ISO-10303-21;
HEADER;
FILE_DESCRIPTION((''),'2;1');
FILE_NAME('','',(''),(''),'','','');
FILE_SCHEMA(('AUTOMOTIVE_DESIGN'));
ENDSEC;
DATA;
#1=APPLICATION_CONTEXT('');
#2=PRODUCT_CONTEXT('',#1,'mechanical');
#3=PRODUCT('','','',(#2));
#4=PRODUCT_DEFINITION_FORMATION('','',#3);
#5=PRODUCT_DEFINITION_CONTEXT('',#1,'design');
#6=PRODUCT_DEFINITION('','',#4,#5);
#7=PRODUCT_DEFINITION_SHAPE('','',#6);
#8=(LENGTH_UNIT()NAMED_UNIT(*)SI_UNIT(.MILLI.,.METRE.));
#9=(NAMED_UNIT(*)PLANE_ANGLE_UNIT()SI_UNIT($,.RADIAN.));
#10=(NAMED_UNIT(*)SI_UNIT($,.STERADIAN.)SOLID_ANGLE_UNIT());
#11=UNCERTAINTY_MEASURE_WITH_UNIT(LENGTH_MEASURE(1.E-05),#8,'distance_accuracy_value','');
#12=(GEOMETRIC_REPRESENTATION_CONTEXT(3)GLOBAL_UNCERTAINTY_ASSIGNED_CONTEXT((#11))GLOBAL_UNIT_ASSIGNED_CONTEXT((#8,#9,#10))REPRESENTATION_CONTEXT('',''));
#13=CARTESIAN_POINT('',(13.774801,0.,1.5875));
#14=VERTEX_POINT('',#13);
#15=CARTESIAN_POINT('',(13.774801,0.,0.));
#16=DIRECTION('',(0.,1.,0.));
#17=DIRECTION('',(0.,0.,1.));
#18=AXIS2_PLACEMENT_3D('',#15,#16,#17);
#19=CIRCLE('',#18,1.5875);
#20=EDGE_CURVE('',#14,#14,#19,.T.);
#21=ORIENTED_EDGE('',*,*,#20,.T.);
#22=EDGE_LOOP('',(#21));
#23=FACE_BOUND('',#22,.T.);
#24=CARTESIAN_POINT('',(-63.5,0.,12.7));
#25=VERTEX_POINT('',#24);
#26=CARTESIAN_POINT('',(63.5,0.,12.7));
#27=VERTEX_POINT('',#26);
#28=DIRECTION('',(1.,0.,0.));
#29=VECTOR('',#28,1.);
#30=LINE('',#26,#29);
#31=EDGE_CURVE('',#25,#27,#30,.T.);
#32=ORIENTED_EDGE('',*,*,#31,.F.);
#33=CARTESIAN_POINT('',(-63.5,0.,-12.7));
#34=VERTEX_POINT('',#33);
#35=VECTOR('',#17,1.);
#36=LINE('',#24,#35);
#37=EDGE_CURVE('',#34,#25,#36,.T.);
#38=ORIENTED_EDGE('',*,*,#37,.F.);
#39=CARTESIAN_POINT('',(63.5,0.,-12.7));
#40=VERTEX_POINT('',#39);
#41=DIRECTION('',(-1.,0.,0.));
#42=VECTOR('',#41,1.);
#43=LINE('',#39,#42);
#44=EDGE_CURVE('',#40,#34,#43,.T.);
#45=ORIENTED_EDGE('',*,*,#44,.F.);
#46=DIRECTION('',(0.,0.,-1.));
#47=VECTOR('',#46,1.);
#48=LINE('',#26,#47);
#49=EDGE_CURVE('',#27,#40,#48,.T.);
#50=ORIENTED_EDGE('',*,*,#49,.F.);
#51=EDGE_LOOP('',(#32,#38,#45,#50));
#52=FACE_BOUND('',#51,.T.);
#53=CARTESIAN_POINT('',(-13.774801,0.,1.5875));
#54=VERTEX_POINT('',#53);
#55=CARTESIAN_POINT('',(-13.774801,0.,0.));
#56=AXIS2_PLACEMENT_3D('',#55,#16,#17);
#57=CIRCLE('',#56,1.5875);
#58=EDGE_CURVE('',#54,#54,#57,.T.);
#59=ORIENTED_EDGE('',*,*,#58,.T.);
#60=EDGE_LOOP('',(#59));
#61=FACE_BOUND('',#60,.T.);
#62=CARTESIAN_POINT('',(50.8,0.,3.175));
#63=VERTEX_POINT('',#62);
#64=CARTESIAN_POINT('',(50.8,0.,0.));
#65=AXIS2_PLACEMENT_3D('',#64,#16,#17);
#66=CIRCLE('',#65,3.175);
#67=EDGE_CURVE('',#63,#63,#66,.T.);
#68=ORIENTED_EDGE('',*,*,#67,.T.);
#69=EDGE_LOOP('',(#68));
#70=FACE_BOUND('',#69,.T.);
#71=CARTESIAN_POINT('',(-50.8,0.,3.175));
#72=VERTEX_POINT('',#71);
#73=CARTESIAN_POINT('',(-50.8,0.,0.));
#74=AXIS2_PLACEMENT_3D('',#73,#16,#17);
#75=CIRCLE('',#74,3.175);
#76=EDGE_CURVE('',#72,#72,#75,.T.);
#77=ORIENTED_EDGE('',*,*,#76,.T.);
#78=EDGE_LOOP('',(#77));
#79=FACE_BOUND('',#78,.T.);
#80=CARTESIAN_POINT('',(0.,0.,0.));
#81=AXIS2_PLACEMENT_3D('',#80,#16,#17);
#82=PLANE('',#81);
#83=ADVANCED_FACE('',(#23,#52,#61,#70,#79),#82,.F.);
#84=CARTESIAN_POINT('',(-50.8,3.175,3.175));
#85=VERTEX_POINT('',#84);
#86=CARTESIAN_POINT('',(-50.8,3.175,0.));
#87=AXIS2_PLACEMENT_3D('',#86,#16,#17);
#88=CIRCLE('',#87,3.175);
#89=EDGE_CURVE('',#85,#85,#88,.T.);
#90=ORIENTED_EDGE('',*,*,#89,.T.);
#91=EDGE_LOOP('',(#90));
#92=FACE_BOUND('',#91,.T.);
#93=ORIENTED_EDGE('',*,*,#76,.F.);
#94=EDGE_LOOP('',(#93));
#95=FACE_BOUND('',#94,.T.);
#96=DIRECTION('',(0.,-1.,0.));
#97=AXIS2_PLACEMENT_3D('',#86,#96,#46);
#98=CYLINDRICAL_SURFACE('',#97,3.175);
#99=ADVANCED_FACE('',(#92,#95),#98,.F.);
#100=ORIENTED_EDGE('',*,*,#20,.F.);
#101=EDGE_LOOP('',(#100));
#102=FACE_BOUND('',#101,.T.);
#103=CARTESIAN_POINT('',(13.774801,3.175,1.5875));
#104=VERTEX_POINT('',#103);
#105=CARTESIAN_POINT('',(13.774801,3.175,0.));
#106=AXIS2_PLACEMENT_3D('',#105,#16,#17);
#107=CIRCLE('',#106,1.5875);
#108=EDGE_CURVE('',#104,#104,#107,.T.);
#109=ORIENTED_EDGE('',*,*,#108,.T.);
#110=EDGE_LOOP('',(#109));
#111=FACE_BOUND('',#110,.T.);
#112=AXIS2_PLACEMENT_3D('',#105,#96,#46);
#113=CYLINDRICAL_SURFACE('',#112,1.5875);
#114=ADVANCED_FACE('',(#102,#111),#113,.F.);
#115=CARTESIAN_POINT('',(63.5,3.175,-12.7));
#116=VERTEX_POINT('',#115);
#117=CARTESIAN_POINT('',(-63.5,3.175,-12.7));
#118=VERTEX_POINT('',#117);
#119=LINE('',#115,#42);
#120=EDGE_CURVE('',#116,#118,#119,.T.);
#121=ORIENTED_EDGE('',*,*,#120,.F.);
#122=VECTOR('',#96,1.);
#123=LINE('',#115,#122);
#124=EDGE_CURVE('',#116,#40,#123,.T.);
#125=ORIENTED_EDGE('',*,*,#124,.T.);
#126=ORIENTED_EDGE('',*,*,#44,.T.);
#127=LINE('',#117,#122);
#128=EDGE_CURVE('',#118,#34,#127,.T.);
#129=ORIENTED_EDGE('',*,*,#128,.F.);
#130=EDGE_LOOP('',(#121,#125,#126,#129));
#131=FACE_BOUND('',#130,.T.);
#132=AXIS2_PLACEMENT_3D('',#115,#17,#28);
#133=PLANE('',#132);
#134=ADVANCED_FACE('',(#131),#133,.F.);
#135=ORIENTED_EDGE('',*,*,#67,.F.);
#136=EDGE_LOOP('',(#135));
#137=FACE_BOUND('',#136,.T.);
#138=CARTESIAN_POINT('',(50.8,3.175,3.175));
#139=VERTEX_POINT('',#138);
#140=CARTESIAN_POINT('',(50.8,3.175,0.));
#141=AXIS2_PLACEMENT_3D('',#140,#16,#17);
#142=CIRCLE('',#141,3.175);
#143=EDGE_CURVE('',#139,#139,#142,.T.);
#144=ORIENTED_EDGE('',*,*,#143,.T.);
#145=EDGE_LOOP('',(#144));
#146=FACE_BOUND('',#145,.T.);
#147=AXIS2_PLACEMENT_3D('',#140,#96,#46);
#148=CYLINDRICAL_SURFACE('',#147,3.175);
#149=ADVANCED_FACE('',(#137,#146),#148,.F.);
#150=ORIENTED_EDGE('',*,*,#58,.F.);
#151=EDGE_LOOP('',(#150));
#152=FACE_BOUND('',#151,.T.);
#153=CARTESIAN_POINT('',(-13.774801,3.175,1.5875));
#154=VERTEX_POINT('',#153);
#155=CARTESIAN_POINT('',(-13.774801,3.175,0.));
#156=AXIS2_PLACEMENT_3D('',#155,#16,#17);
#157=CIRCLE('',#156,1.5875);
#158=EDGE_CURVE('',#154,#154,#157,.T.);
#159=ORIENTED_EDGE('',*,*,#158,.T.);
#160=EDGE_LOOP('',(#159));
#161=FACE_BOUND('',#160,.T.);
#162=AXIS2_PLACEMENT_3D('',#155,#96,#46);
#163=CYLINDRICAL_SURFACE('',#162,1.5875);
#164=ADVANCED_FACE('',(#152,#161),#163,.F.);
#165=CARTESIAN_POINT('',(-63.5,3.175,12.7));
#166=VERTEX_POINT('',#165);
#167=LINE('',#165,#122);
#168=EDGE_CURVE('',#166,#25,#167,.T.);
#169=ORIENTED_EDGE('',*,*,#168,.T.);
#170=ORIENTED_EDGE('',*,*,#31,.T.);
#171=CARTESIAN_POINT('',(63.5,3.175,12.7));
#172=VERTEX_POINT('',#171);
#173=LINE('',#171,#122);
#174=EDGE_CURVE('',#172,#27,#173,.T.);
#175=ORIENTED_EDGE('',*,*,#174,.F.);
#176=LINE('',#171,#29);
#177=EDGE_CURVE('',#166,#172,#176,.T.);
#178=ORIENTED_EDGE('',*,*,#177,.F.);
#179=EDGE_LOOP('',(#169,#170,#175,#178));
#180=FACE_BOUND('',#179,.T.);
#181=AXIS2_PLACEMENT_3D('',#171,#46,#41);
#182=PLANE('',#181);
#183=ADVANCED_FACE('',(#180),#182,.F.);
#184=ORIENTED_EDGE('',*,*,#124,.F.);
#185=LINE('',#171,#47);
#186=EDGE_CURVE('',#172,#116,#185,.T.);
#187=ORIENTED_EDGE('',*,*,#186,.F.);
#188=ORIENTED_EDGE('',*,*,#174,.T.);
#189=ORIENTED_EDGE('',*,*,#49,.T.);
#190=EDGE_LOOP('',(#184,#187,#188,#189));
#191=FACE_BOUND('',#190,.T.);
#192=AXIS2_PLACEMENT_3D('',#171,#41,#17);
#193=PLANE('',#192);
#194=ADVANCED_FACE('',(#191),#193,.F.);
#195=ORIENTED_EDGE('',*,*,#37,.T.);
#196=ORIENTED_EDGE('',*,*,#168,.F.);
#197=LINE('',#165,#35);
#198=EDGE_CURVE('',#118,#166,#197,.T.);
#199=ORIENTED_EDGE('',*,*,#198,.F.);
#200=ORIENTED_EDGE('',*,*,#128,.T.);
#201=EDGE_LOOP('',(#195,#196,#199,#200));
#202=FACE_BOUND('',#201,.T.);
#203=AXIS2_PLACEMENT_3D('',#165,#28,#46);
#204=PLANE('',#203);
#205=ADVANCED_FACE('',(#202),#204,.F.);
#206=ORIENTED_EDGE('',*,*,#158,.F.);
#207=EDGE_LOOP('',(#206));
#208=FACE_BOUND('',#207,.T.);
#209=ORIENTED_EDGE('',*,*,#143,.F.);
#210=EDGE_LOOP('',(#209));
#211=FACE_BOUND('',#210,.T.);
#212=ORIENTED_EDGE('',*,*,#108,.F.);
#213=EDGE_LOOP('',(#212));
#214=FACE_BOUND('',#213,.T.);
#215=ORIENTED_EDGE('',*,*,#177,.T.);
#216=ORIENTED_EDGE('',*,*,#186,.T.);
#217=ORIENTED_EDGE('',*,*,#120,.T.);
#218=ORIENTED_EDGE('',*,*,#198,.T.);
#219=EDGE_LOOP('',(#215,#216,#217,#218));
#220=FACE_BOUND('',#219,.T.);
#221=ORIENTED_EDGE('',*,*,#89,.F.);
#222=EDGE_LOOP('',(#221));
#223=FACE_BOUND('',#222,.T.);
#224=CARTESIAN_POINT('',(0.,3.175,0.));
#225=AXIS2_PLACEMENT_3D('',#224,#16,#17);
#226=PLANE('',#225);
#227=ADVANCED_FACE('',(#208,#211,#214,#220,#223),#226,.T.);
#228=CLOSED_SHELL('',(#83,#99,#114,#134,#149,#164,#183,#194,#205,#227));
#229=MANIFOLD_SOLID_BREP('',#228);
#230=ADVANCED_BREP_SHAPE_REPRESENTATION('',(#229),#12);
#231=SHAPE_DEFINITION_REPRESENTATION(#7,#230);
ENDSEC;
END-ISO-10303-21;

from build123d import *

# Parameters (mm, degrees)
SKETCH1_W           = 127
SKETCH1_H           = 25.4
SKETCH1_R           = 3.175
SKETCH1_R_2         = 1.5875
BOSS_EXTRUDE1_DEPTH = 3.175


with BuildPart() as part:
    # Sketch1 → Boss-Extrude1 (new body)
    with BuildSketch(Plane(origin=(0, 0, 0), x_dir=(1, 0, 0), z_dir=(0, 1, 0))):
        Rectangle(SKETCH1_W, SKETCH1_H)
        with Locations((-50.8, 0)):
            Circle(SKETCH1_R, mode=Mode.SUBTRACT)
        with Locations((50.8, 0)):
            Circle(SKETCH1_R, mode=Mode.SUBTRACT)
        with Locations((-13.774801, 0)):
            Circle(SKETCH1_R_2, mode=Mode.SUBTRACT)
        with Locations((13.774801, 0)):
            Circle(SKETCH1_R_2, mode=Mode.SUBTRACT)
    extrude(amount=BOSS_EXTRUDE1_DEPTH)


solid = part.part
